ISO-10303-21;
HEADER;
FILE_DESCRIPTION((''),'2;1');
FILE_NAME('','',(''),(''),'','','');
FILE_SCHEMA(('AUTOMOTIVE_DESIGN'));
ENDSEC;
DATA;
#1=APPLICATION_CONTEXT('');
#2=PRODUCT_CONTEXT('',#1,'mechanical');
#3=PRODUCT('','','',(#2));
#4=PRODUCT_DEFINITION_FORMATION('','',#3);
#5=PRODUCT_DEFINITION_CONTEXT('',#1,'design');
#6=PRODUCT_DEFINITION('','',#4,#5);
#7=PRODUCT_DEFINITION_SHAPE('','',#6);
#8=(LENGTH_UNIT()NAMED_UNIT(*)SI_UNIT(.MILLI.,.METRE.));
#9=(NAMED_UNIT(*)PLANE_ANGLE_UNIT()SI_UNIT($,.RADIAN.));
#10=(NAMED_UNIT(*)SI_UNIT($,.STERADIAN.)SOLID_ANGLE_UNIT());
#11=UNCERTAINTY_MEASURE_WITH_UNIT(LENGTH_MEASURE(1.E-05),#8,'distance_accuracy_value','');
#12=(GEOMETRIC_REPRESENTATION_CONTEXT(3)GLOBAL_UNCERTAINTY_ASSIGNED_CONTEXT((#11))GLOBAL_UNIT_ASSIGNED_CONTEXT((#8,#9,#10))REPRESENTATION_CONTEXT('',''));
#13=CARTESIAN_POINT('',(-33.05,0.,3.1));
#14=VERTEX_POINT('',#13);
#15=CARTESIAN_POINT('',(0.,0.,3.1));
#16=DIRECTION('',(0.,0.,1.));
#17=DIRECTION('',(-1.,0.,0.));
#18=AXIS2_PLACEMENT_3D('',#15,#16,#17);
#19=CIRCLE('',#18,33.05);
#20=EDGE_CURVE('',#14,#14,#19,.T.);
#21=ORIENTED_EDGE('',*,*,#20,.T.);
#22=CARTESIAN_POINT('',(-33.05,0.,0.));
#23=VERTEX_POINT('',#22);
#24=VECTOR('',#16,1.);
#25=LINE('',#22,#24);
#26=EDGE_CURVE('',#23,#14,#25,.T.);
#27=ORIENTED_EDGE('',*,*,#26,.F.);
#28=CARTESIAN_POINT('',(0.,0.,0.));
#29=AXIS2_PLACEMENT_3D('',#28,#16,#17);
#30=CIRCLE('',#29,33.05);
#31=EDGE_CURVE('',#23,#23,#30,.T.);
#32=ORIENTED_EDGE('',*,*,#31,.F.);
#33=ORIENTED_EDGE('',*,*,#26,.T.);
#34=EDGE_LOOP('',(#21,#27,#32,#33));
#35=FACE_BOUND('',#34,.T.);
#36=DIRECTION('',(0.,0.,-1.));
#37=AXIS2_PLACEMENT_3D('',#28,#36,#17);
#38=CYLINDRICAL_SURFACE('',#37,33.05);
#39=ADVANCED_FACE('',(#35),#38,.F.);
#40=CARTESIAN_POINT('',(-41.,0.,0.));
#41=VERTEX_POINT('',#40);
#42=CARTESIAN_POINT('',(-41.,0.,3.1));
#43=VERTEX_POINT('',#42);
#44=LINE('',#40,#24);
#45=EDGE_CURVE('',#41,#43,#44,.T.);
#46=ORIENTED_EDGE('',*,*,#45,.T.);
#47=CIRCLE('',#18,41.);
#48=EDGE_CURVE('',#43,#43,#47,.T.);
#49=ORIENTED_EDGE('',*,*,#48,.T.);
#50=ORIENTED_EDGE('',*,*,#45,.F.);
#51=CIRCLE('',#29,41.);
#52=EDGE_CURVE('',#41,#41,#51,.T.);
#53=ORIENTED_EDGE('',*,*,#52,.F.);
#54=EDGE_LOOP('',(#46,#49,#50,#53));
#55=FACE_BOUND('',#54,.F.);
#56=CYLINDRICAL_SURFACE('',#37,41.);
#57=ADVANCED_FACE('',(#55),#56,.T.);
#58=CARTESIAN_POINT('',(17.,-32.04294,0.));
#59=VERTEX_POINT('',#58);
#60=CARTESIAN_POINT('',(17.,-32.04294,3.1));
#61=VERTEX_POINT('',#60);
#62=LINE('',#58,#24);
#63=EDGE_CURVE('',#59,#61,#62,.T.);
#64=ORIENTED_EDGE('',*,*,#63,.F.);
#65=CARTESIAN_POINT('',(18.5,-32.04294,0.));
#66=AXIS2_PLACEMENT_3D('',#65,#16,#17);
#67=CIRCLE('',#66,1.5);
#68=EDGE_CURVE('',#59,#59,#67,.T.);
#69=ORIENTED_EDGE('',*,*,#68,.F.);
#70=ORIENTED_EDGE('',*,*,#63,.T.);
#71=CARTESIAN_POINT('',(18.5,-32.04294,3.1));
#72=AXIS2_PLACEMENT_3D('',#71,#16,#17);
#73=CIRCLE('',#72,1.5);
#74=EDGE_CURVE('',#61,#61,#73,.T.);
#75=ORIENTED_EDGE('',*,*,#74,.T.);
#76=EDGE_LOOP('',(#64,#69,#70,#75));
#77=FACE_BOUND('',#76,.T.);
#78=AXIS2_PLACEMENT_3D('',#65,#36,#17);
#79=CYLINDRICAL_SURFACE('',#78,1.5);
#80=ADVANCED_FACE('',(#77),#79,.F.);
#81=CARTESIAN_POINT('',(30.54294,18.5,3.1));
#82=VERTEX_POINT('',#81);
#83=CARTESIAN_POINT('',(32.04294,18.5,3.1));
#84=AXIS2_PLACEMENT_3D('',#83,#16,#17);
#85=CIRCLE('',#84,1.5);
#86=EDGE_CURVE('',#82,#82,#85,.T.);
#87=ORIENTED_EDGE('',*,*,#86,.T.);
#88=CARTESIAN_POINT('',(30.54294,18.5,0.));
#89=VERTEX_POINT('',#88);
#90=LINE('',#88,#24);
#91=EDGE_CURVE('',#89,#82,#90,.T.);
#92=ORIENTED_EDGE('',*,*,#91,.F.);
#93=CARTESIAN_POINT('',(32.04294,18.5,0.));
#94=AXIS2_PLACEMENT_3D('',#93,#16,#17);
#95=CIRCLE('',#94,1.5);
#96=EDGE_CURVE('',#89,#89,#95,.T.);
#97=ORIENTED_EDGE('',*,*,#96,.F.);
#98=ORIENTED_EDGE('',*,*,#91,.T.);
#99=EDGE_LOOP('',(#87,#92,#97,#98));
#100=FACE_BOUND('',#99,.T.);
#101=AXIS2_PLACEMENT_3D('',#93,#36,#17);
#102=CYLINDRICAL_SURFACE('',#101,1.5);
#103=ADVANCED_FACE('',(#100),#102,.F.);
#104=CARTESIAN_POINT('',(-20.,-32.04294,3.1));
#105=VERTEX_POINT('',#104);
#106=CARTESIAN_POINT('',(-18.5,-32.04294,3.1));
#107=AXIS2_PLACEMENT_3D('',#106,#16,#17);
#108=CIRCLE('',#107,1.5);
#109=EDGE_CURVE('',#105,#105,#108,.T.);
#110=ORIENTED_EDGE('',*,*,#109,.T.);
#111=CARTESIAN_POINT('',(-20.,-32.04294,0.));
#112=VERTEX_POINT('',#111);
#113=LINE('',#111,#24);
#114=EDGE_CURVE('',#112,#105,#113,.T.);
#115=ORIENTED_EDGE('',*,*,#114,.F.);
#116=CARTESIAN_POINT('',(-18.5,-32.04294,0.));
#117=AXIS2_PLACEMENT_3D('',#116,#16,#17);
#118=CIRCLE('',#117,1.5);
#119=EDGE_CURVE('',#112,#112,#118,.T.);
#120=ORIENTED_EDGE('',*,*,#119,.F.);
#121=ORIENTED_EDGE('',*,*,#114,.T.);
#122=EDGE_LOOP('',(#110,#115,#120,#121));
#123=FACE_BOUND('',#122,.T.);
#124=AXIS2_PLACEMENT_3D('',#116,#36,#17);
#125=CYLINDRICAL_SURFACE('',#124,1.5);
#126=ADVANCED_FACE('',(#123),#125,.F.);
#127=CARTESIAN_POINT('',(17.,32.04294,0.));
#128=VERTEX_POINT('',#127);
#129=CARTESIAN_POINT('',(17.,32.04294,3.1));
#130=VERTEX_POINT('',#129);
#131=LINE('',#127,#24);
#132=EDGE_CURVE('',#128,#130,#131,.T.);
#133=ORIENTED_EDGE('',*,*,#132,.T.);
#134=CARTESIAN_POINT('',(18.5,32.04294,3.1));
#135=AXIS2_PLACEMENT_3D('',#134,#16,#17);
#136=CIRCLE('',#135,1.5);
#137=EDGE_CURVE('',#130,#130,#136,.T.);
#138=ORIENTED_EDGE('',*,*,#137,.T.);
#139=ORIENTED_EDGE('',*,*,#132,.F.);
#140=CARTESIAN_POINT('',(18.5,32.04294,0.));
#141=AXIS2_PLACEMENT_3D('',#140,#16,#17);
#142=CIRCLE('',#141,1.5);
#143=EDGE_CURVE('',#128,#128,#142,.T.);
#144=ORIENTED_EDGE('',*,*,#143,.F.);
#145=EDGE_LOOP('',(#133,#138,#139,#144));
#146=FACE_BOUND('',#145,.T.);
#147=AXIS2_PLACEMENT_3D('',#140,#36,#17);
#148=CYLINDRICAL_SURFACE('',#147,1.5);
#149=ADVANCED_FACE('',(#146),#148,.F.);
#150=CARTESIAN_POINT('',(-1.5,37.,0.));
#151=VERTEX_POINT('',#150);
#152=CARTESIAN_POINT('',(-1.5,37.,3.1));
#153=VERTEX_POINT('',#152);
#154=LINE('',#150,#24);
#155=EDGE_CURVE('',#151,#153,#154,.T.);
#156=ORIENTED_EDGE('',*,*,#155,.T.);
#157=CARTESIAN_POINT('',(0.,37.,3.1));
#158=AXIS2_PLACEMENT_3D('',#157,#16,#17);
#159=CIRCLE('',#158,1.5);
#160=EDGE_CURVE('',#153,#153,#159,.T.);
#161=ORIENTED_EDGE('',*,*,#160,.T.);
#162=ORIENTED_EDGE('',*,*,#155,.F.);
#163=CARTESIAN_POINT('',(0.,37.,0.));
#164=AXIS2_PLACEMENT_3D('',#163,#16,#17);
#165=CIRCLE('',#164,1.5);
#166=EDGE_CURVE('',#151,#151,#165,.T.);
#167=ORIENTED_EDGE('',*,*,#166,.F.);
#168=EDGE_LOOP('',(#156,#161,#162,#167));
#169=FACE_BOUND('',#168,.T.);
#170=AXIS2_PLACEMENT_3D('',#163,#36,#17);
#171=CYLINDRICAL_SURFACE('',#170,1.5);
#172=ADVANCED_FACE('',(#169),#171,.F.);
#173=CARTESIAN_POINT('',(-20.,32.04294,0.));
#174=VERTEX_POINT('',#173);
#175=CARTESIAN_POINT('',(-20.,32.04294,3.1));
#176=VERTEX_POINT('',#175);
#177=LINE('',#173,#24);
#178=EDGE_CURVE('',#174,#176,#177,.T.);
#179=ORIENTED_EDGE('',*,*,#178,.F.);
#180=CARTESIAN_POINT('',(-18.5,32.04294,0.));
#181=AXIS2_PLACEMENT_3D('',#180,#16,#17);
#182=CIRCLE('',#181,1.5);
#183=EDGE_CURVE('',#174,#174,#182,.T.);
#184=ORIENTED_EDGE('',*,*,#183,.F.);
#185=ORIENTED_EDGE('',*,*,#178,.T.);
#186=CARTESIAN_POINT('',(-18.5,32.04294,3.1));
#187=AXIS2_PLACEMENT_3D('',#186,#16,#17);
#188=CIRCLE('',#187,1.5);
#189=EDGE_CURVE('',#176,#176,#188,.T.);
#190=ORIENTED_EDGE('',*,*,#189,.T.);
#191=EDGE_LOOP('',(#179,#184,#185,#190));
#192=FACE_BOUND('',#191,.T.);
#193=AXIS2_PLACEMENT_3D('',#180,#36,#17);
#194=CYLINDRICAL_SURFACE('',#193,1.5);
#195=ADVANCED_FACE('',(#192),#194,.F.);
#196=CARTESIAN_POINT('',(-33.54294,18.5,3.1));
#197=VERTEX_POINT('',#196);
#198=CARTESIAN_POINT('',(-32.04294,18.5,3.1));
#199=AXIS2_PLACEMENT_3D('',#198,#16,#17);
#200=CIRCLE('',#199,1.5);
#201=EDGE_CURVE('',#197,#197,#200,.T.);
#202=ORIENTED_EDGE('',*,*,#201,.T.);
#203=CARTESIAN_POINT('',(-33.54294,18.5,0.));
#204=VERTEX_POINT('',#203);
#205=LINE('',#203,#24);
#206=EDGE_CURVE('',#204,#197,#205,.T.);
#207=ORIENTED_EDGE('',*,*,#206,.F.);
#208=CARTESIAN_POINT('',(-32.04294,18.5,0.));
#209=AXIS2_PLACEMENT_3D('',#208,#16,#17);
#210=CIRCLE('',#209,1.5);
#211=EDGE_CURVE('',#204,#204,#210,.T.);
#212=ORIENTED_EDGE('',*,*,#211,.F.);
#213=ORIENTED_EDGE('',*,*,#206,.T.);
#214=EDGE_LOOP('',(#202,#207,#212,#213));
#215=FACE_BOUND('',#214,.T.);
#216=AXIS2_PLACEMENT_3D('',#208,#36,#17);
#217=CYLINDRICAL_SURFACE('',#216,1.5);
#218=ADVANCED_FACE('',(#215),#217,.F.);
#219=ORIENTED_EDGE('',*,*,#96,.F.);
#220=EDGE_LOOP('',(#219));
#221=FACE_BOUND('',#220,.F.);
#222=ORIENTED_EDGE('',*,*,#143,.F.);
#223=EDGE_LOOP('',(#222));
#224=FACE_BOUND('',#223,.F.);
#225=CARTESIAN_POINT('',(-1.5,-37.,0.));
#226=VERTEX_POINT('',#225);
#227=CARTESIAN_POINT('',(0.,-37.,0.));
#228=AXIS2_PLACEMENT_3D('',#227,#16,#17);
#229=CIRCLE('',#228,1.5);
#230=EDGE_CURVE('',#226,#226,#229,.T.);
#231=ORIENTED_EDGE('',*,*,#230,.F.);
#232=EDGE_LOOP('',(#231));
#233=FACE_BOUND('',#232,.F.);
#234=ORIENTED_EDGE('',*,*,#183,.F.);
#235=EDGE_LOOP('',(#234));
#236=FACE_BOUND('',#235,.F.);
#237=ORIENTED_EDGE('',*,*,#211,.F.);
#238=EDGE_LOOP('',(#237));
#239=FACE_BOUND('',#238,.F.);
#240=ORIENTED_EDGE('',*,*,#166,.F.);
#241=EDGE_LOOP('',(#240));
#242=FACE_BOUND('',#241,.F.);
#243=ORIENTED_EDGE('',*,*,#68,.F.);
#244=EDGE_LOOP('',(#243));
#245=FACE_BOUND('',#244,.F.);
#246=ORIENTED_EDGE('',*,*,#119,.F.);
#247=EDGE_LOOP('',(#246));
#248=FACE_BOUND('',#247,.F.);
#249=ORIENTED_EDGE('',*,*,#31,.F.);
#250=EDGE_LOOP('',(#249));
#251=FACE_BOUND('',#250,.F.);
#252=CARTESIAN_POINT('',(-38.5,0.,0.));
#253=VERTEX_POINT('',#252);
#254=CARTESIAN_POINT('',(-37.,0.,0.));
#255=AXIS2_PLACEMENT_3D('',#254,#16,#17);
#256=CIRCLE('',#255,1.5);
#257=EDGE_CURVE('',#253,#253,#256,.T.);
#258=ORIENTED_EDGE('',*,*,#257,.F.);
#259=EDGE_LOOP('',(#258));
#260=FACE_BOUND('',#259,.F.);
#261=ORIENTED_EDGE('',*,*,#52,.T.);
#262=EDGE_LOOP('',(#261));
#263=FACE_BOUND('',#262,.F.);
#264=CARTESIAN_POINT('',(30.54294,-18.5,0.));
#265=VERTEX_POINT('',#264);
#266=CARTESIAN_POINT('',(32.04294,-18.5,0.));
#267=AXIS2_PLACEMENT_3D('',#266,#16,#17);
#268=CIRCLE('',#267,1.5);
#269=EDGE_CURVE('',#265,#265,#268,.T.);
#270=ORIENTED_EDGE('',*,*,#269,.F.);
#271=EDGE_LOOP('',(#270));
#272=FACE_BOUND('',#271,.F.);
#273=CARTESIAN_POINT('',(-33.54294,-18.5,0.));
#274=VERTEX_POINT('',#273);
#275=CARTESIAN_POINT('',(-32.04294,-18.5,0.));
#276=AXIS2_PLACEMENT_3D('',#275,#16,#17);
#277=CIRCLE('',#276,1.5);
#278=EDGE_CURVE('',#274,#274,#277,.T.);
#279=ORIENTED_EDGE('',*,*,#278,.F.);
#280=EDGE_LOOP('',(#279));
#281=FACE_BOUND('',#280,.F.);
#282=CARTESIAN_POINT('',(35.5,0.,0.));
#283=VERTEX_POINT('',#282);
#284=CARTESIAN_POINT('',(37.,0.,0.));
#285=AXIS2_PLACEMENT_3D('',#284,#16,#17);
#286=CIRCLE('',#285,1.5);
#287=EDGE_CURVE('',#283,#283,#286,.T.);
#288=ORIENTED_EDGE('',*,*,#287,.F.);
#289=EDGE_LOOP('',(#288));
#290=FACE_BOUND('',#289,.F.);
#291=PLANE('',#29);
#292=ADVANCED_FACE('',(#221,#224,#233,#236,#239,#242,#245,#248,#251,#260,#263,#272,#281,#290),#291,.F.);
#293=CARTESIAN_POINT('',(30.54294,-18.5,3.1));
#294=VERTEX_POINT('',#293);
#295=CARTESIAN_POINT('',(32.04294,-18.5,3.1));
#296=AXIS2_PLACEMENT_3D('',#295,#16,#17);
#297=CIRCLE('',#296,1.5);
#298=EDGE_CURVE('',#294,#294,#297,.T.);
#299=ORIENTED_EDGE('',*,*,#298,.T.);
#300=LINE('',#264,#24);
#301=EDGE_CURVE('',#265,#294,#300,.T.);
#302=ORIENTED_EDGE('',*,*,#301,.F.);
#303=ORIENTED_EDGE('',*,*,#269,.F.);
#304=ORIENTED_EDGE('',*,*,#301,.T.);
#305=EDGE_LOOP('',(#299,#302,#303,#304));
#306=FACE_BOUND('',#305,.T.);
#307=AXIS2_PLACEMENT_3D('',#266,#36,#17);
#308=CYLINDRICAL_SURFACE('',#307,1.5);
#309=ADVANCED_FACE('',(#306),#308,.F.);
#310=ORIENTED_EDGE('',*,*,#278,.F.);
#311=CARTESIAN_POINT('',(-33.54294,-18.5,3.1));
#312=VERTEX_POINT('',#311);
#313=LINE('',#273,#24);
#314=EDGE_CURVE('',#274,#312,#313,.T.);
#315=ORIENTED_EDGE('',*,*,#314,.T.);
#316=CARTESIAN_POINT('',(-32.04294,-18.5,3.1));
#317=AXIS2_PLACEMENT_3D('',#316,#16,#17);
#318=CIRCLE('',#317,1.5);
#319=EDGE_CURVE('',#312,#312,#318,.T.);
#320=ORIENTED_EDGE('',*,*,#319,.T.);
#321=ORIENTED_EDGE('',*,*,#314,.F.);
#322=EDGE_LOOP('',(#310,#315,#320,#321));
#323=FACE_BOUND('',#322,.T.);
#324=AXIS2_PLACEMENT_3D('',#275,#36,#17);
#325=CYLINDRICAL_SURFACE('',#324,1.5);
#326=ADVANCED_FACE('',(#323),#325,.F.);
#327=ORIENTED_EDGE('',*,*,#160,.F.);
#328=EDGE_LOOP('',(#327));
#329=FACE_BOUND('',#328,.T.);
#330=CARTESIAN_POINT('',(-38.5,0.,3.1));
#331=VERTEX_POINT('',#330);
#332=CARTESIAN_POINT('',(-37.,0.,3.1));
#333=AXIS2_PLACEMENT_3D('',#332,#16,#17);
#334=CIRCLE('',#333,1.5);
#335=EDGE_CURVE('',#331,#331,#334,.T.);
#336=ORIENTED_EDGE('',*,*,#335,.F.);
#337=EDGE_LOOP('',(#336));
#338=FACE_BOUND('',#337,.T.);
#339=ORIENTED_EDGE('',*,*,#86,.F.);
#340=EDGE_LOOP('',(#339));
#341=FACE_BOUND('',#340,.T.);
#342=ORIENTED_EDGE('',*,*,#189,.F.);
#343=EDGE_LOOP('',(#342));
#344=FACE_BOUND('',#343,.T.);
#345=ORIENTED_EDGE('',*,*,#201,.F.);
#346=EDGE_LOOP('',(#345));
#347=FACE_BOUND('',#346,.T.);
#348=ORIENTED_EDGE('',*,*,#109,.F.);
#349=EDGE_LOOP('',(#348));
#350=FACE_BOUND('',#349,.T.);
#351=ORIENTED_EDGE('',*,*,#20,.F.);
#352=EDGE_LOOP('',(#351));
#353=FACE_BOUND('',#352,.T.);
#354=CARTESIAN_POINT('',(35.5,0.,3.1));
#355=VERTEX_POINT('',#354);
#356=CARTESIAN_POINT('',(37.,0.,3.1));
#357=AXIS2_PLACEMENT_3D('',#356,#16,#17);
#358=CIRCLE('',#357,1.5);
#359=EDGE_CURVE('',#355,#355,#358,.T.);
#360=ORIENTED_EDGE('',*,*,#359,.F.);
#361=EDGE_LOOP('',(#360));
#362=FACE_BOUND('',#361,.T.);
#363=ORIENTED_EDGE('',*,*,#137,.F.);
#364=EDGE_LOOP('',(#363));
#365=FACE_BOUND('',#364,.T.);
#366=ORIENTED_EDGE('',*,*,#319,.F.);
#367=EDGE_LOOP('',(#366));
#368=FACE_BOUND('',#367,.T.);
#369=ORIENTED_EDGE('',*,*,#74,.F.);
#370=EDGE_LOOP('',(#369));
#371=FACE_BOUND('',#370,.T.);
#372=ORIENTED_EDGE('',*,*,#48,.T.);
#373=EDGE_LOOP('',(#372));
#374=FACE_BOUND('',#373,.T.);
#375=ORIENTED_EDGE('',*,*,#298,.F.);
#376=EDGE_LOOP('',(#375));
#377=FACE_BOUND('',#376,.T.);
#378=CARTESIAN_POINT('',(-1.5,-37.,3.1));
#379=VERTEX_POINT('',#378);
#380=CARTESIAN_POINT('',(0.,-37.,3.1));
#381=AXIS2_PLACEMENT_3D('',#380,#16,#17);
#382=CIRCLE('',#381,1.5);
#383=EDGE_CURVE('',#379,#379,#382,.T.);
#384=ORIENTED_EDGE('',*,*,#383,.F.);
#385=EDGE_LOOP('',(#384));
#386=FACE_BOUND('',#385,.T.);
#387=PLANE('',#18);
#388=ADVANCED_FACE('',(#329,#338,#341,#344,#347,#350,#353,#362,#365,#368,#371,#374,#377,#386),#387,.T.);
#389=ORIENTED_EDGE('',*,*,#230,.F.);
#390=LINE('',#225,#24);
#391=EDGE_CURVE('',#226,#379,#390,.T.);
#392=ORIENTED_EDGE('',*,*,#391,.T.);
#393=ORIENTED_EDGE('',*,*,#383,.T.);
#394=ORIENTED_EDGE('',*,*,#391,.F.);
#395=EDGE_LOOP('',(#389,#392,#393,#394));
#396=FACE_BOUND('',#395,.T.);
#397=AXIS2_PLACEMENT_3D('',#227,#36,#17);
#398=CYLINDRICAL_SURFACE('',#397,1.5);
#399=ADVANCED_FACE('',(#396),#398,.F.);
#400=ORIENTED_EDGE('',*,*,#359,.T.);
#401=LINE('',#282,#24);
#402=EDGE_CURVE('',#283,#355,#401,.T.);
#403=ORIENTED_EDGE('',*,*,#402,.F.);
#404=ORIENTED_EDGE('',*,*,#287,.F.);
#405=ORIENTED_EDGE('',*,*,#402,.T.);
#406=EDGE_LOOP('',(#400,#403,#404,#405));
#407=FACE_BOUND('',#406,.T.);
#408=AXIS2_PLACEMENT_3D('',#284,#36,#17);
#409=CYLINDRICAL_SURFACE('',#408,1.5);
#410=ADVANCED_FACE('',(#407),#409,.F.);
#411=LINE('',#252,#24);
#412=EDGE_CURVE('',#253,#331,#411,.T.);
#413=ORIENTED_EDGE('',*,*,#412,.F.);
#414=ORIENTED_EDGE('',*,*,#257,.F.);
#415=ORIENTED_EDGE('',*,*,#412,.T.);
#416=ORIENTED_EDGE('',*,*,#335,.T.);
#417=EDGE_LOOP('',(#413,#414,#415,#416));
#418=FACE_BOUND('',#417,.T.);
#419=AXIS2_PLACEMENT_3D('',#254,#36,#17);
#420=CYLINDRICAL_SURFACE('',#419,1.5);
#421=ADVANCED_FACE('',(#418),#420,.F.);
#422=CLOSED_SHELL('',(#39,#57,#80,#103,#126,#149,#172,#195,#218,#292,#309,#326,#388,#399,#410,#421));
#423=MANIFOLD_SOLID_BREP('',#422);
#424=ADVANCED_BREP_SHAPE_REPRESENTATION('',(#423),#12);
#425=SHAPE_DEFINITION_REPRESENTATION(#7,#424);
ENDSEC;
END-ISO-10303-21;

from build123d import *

# Parameters (mm, degrees)
SKETCH_1_R      = 41
SKETCH_1_R_2    = 33.05
SKETCH_1_R_3    = 1.5
EXTRUDE_1_DEPTH = 3.1


with BuildPart() as part:
    # 草图1 → 凸台-拉伸1 (new body)
    with BuildSketch(Plane.XY):
        with Locations(Location((0, 0, 0), (0, 0, 180))):
            Circle(SKETCH_1_R)
        with Locations(Location((0, 0, 0), (0, 0, 180))):
            Circle(SKETCH_1_R_2, mode=Mode.SUBTRACT)
        with Locations(Location((0, 37, 0), (0, 0, 180))):
            Circle(SKETCH_1_R_3, mode=Mode.SUBTRACT)
        with Locations(Location((18.5, 32.04293994, 0), (0, 0, 180))):
            Circle(SKETCH_1_R_3, mode=Mode.SUBTRACT)
        with Locations(Location((32.04293994, 18.5, 0), (0, 0, 180))):
            Circle(SKETCH_1_R_3, mode=Mode.SUBTRACT)
        with Locations(Location((37, 0, 0), (0, 0, 180))):
            Circle(SKETCH_1_R_3, mode=Mode.SUBTRACT)
        with Locations(Location((32.04293994, -18.5, 0), (0, 0, 180))):
            Circle(SKETCH_1_R_3, mode=Mode.SUBTRACT)
        with Locations(Location((18.5, -32.04293994, 0), (0, 0, 180))):
            Circle(SKETCH_1_R_3, mode=Mode.SUBTRACT)
        with Locations(Location((0, -37, 0), (0, 0, 180))):
            Circle(SKETCH_1_R_3, mode=Mode.SUBTRACT)
        with Locations(Location((-18.5, -32.04293994, 0), (0, 0, 180))):
            Circle(SKETCH_1_R_3, mode=Mode.SUBTRACT)
        with Locations(Location((-32.04293994, -18.5, 0), (0, 0, 180))):
            Circle(SKETCH_1_R_3, mode=Mode.SUBTRACT)
        with Locations(Location((-37, 0, 0), (0, 0, 180))):
            Circle(SKETCH_1_R_3, mode=Mode.SUBTRACT)
        with Locations(Location((-32.04293994, 18.5, 0), (0, 0, 180))):
            Circle(SKETCH_1_R_3, mode=Mode.SUBTRACT)
        with Locations(Location((-18.5, 32.04293994, 0), (0, 0, 180))):
            Circle(SKETCH_1_R_3, mode=Mode.SUBTRACT)
    extrude(amount=EXTRUDE_1_DEPTH)


solid = part.part
